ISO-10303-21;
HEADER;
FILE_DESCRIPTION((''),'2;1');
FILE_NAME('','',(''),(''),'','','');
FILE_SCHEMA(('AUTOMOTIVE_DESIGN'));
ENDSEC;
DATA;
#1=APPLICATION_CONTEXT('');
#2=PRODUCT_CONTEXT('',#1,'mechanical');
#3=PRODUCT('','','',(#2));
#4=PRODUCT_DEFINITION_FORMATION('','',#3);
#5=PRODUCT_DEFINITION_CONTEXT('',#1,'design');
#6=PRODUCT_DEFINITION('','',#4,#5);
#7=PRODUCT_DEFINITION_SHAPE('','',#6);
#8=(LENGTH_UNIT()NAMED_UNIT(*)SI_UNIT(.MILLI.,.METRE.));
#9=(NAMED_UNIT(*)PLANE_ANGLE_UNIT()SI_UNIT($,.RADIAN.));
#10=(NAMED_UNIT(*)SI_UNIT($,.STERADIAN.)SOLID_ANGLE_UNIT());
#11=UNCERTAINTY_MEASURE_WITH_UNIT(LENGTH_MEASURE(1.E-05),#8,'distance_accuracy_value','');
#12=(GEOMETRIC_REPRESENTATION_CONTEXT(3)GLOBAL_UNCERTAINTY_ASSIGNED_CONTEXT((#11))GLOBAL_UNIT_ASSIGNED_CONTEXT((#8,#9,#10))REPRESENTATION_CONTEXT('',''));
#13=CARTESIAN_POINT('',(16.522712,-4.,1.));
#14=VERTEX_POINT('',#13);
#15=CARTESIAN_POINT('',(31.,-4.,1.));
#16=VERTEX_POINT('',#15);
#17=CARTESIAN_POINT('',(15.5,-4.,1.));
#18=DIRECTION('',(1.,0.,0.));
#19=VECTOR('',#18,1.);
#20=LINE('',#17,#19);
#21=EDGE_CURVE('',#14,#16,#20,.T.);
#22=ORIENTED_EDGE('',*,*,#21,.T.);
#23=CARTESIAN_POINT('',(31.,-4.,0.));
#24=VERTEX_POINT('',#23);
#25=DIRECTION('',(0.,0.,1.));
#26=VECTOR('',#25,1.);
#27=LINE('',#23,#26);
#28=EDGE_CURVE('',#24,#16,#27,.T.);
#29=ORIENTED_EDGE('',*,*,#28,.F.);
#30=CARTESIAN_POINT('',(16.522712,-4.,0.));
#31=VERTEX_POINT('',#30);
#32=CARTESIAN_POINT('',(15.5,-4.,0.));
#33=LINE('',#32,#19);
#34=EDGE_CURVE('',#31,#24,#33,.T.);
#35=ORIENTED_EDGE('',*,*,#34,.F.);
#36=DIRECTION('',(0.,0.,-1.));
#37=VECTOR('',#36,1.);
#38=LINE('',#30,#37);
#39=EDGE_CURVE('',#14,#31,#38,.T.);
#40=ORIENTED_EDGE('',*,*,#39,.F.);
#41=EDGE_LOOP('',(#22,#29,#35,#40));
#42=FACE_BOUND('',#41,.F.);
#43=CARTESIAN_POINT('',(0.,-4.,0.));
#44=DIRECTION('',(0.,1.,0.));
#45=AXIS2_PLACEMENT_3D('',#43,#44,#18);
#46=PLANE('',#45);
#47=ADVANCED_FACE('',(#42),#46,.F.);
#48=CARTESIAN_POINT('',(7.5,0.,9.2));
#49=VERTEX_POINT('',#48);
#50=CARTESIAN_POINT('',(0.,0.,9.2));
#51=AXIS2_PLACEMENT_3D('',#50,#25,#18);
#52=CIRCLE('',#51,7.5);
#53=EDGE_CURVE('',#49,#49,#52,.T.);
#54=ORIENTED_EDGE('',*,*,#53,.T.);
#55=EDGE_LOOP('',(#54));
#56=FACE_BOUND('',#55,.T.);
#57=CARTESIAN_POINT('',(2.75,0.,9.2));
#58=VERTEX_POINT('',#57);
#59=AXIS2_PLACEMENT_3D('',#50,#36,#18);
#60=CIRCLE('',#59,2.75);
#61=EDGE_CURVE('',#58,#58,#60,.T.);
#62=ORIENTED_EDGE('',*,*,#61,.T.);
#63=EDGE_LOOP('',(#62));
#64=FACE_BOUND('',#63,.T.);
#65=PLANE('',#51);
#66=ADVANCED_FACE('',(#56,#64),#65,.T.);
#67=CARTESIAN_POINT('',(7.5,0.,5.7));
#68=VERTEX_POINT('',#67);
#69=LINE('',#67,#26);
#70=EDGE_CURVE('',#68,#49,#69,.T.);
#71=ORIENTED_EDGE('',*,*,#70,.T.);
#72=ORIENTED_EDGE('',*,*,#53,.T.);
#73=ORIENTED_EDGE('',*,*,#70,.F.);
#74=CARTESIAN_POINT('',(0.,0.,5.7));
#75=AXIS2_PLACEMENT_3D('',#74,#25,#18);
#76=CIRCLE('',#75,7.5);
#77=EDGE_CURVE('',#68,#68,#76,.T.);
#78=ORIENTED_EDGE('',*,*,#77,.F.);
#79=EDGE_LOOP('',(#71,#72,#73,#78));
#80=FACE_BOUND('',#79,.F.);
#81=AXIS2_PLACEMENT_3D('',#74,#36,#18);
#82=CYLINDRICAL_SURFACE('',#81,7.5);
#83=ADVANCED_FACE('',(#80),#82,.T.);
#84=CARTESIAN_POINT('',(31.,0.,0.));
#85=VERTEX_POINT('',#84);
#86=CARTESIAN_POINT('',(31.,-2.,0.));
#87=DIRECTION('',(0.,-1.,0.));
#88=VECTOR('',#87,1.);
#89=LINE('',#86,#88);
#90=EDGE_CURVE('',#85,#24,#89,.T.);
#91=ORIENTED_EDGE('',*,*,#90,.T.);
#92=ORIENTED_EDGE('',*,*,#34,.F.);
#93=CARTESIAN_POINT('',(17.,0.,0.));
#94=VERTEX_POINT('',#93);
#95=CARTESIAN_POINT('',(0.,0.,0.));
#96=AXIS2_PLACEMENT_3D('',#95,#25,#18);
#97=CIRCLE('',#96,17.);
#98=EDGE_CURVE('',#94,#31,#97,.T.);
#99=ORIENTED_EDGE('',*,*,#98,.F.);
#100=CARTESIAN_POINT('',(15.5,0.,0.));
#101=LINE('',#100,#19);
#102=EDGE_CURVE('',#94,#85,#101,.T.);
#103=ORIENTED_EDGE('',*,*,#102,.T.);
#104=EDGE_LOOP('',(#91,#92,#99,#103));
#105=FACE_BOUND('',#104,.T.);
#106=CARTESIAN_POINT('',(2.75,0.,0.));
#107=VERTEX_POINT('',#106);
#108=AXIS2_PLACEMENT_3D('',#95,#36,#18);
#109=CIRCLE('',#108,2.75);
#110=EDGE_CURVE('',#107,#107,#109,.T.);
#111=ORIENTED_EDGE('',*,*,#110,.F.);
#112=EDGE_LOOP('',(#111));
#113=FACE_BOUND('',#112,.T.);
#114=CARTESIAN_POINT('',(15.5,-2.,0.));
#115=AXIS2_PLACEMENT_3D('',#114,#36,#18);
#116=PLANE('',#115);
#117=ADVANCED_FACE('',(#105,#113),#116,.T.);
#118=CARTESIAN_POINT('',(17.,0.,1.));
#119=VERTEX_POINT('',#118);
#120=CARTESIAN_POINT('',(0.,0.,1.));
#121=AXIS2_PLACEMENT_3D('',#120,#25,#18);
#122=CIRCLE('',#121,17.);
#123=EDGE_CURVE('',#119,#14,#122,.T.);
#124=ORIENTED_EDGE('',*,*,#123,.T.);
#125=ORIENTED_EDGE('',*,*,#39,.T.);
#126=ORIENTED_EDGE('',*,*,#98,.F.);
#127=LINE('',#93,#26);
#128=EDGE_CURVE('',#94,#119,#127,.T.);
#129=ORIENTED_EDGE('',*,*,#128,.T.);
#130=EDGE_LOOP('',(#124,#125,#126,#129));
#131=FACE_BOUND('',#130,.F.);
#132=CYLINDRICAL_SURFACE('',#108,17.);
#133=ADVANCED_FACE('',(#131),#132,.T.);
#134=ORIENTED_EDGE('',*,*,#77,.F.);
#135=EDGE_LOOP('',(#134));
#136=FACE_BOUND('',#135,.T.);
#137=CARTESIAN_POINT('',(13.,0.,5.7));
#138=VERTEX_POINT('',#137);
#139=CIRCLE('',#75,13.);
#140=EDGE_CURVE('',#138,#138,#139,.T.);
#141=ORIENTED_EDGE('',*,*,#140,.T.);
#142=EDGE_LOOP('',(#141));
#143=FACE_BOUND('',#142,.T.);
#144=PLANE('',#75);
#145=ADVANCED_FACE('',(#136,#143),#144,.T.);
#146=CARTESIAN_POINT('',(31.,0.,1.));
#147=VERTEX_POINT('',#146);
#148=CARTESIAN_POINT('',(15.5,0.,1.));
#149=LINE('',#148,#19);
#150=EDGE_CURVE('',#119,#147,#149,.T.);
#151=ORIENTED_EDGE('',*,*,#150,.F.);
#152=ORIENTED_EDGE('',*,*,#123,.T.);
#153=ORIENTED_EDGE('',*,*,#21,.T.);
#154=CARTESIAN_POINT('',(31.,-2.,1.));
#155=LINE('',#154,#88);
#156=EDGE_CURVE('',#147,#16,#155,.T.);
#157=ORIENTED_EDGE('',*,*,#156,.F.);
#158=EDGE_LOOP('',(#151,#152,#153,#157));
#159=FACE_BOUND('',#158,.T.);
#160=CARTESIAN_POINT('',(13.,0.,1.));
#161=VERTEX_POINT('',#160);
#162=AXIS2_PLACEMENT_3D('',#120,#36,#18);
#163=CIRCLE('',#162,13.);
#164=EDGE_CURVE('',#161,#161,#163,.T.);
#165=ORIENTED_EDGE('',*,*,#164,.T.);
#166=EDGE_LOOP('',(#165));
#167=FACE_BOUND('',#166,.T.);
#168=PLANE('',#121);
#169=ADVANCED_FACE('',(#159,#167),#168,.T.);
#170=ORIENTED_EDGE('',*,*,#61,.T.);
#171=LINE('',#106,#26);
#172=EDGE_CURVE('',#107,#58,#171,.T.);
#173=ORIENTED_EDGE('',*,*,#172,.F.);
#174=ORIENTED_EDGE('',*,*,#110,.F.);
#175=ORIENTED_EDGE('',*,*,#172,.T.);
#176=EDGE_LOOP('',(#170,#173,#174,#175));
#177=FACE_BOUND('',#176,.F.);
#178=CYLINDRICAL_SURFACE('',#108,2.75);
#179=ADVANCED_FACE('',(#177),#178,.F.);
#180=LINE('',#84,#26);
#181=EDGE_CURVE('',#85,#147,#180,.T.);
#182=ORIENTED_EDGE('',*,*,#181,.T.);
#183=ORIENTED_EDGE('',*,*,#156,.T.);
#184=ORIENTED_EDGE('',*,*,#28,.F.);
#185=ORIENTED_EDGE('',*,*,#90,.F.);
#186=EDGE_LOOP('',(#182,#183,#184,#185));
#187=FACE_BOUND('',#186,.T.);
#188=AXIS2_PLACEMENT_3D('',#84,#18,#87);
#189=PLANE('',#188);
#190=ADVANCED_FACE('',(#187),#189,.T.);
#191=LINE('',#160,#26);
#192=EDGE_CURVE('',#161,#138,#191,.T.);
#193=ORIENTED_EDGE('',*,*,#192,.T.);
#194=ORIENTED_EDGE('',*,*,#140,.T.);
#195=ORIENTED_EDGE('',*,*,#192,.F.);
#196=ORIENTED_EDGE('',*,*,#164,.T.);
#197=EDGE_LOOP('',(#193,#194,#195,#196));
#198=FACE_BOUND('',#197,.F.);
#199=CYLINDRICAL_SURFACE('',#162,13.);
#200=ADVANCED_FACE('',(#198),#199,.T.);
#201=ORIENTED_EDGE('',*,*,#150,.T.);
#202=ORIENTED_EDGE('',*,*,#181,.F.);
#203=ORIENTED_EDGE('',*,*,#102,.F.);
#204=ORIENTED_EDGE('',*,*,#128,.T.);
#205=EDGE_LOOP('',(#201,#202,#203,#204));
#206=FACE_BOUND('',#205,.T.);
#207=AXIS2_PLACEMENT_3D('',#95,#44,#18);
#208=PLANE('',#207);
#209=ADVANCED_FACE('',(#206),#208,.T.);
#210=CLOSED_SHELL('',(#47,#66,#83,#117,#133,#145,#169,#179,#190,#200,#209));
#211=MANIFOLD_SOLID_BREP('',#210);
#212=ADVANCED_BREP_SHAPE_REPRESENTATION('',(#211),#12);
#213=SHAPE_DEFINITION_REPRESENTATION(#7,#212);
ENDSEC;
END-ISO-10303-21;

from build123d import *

# Parameters (mm, degrees)
SKETCH_R     = 17
PAD_DEPTH    = 1
SKETCH001_R  = 13
PAD001_DEPTH = 4.7
SKETCH002_R  = 7.5
PAD002_DEPTH = 3.5
SKETCH003_W  = 31
SKETCH003_H  = 4
PAD003_DEPTH = 1
SKETCH004_R  = 2.75
HOLE_DEPTH   = 9.201


with BuildPart() as part:
    # Sketch → Pad (new body)
    with BuildSketch(Plane.XY):
        Circle(SKETCH_R)
    extrude(amount=PAD_DEPTH)

    # Sketch001 (on Face3 of Pad) → Pad001 (join)
    with BuildSketch(Plane.XY.offset(1)):
        Circle(SKETCH001_R)
    extrude(amount=PAD001_DEPTH)

    # Sketch002 (on Face5 of Pad001) → Pad002 (join)
    with BuildSketch(Plane.XY.offset(5.7)):
        Circle(SKETCH002_R)
    extrude(amount=PAD002_DEPTH)

    # Sketch003 (on Face2 of Pad002) → Pad003 (join)
    with BuildSketch(Plane(origin=(0, 0, 0), x_dir=(1, 0, 0), z_dir=(0, 0, -1))):
        with Locations((15.5, 2)):
            Rectangle(SKETCH003_W, SKETCH003_H)
    extrude(amount=-PAD003_DEPTH)

    # Sketch004 (on Face2 of Pad003) → Hole (cut, through all)
    with BuildSketch(Plane(origin=(0, 0, 0), x_dir=(1, 0, 0), z_dir=(0, 0, -1))):
        Circle(SKETCH004_R)
    extrude(amount=-HOLE_DEPTH, mode=Mode.SUBTRACT)


solid = part.part
